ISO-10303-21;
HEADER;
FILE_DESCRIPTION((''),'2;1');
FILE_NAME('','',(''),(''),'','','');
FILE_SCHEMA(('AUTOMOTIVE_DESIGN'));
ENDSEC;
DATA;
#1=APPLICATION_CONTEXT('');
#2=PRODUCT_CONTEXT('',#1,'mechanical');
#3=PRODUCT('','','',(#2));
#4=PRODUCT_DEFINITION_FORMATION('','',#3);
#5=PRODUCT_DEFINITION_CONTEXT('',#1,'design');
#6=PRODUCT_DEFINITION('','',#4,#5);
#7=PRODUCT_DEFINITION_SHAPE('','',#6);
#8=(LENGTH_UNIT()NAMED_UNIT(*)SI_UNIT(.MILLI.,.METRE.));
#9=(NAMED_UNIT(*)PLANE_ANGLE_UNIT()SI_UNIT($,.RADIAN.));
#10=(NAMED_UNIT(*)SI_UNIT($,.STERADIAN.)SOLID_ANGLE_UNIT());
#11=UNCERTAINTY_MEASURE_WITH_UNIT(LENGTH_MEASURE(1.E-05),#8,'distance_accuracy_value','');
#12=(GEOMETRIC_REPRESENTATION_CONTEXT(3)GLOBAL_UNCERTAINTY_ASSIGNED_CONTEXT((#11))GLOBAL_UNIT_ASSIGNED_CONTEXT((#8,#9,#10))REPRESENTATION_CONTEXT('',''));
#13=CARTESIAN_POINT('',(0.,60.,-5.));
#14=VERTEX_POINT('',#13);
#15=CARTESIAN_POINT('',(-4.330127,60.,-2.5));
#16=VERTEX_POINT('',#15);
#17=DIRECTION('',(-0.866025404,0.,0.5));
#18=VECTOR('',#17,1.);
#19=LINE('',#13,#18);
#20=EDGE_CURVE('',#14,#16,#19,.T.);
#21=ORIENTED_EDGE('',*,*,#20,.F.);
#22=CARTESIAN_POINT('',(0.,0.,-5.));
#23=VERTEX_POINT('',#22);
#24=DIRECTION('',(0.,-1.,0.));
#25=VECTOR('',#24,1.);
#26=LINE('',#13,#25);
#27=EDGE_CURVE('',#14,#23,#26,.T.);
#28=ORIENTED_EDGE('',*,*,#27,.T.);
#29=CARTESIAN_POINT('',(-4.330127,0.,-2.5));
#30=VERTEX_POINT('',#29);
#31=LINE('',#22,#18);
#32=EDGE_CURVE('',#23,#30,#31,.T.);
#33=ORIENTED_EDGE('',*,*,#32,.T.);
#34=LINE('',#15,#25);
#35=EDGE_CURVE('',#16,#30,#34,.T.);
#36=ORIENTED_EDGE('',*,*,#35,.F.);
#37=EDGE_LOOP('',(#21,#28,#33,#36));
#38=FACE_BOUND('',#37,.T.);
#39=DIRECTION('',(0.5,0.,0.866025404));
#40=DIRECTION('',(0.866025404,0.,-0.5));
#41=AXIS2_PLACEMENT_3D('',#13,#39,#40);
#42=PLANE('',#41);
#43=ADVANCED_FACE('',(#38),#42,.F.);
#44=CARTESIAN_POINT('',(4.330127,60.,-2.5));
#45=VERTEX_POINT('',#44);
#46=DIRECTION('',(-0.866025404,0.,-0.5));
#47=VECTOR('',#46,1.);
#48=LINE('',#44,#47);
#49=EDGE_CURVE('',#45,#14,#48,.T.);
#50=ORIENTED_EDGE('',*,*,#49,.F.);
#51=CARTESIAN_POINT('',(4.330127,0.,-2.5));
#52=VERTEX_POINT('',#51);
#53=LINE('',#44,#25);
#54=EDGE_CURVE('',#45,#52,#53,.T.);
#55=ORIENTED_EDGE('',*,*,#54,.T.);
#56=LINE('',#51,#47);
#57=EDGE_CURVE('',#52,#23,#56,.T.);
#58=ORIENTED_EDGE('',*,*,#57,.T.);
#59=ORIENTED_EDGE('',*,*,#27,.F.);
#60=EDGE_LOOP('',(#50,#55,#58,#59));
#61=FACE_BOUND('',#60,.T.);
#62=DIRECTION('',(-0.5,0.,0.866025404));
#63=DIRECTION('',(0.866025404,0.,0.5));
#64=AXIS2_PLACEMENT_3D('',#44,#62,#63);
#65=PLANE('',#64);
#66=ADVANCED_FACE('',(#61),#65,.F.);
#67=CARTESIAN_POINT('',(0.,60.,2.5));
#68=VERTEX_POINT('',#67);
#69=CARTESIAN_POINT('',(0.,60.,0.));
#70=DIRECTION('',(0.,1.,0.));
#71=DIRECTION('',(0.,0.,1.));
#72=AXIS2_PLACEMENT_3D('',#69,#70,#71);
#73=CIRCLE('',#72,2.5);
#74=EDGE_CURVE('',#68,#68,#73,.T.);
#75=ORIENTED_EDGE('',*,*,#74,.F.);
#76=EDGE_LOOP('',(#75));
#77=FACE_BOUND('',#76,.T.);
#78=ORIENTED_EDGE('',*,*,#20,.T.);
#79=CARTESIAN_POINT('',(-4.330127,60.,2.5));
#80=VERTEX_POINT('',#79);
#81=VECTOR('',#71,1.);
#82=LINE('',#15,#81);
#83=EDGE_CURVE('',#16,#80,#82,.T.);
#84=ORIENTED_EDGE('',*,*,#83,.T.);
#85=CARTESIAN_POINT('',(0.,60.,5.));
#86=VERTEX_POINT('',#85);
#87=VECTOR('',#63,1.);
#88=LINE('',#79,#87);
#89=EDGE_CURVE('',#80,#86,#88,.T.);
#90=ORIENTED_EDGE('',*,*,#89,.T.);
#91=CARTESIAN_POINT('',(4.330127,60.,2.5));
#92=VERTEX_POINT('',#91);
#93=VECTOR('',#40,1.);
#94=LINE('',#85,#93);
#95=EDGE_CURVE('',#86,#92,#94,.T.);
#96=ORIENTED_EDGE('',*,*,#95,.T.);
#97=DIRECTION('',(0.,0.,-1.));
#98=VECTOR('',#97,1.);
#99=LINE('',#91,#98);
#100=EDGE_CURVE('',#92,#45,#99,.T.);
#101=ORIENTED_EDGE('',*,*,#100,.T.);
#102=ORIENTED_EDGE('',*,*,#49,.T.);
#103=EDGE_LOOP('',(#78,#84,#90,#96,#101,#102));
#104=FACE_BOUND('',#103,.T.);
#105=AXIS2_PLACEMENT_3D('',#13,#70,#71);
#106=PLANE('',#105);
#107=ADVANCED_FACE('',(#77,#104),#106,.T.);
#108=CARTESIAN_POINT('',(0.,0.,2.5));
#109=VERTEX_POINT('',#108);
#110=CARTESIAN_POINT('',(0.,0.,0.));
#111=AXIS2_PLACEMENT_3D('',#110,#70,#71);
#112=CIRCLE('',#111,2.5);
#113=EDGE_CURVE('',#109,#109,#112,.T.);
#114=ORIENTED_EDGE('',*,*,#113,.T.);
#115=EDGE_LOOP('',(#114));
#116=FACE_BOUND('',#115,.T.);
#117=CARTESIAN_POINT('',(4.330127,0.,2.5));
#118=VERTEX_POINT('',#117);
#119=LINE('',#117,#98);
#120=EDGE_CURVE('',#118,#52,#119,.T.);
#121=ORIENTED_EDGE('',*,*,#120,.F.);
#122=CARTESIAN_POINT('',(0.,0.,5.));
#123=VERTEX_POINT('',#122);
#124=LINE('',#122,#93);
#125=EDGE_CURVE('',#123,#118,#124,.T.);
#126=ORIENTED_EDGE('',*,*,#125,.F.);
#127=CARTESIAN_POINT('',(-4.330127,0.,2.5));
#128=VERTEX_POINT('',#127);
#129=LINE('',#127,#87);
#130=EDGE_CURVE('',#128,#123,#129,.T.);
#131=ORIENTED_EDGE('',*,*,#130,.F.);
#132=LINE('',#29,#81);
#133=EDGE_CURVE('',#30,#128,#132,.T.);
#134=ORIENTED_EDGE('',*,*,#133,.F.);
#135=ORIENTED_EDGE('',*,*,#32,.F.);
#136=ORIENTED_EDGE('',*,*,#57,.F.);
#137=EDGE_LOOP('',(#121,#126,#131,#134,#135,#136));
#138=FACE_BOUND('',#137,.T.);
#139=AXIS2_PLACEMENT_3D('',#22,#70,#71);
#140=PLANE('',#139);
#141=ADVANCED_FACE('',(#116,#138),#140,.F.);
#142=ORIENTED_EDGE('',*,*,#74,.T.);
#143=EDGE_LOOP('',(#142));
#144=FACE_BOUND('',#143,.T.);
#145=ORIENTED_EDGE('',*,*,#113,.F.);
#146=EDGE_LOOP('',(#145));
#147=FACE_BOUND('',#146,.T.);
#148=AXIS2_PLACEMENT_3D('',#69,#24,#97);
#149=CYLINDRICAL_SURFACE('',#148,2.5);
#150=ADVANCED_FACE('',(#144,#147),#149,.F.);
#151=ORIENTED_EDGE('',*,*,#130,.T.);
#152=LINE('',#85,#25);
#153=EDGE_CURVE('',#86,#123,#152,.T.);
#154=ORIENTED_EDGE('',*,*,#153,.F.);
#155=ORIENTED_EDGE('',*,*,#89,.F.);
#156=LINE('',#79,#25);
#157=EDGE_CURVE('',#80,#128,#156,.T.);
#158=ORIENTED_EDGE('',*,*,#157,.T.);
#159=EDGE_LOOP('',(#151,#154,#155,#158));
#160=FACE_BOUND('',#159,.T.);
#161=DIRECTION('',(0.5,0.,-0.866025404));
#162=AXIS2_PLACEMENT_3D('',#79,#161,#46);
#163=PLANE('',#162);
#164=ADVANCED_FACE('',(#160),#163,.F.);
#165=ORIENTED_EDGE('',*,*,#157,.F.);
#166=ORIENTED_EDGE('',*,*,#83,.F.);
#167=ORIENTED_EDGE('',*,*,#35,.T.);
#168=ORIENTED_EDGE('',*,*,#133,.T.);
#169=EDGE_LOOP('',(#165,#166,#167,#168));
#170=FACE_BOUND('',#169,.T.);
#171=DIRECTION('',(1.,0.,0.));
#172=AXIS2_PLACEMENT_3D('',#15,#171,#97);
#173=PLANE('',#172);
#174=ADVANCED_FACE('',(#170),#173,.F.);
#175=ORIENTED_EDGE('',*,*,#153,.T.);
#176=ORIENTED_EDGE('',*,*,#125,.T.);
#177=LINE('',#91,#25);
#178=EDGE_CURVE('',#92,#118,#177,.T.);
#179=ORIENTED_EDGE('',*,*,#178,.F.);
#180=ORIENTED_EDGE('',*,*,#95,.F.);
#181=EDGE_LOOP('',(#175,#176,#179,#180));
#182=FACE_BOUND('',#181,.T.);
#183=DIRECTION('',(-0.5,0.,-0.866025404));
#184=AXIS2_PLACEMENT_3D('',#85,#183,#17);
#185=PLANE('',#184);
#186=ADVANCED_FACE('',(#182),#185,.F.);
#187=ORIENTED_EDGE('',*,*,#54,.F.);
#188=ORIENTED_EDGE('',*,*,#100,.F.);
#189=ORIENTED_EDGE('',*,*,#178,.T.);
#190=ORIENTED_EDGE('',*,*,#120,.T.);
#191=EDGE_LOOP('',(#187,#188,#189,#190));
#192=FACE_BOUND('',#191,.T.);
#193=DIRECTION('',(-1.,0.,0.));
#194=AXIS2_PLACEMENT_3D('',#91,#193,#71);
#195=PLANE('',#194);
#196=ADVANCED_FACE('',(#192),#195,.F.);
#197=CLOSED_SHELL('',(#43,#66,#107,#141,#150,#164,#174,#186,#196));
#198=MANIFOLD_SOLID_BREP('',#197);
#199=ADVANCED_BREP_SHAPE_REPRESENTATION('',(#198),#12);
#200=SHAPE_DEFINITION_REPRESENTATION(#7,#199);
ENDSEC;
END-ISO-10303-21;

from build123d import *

# Parameters (mm, degrees)
ESQUISSE1_R      = 2.5
EXTRUSION1_DEPTH = 60


with BuildPart() as part:
    # Esquisse1 → Extrusion1 (new body)
    with BuildSketch(Plane(origin=(0, 0, 0), x_dir=(1, 0, 0), z_dir=(0, 1, 0))):
        Polygon((0, 5), (-4.330127019, 2.5), (-4.330127019, -2.5), (0, -5), (4.330127019, -2.5), (4.330127019, 2.5), align=None)
        Circle(ESQUISSE1_R, mode=Mode.SUBTRACT)
    extrude(amount=EXTRUSION1_DEPTH)


solid = part.part
